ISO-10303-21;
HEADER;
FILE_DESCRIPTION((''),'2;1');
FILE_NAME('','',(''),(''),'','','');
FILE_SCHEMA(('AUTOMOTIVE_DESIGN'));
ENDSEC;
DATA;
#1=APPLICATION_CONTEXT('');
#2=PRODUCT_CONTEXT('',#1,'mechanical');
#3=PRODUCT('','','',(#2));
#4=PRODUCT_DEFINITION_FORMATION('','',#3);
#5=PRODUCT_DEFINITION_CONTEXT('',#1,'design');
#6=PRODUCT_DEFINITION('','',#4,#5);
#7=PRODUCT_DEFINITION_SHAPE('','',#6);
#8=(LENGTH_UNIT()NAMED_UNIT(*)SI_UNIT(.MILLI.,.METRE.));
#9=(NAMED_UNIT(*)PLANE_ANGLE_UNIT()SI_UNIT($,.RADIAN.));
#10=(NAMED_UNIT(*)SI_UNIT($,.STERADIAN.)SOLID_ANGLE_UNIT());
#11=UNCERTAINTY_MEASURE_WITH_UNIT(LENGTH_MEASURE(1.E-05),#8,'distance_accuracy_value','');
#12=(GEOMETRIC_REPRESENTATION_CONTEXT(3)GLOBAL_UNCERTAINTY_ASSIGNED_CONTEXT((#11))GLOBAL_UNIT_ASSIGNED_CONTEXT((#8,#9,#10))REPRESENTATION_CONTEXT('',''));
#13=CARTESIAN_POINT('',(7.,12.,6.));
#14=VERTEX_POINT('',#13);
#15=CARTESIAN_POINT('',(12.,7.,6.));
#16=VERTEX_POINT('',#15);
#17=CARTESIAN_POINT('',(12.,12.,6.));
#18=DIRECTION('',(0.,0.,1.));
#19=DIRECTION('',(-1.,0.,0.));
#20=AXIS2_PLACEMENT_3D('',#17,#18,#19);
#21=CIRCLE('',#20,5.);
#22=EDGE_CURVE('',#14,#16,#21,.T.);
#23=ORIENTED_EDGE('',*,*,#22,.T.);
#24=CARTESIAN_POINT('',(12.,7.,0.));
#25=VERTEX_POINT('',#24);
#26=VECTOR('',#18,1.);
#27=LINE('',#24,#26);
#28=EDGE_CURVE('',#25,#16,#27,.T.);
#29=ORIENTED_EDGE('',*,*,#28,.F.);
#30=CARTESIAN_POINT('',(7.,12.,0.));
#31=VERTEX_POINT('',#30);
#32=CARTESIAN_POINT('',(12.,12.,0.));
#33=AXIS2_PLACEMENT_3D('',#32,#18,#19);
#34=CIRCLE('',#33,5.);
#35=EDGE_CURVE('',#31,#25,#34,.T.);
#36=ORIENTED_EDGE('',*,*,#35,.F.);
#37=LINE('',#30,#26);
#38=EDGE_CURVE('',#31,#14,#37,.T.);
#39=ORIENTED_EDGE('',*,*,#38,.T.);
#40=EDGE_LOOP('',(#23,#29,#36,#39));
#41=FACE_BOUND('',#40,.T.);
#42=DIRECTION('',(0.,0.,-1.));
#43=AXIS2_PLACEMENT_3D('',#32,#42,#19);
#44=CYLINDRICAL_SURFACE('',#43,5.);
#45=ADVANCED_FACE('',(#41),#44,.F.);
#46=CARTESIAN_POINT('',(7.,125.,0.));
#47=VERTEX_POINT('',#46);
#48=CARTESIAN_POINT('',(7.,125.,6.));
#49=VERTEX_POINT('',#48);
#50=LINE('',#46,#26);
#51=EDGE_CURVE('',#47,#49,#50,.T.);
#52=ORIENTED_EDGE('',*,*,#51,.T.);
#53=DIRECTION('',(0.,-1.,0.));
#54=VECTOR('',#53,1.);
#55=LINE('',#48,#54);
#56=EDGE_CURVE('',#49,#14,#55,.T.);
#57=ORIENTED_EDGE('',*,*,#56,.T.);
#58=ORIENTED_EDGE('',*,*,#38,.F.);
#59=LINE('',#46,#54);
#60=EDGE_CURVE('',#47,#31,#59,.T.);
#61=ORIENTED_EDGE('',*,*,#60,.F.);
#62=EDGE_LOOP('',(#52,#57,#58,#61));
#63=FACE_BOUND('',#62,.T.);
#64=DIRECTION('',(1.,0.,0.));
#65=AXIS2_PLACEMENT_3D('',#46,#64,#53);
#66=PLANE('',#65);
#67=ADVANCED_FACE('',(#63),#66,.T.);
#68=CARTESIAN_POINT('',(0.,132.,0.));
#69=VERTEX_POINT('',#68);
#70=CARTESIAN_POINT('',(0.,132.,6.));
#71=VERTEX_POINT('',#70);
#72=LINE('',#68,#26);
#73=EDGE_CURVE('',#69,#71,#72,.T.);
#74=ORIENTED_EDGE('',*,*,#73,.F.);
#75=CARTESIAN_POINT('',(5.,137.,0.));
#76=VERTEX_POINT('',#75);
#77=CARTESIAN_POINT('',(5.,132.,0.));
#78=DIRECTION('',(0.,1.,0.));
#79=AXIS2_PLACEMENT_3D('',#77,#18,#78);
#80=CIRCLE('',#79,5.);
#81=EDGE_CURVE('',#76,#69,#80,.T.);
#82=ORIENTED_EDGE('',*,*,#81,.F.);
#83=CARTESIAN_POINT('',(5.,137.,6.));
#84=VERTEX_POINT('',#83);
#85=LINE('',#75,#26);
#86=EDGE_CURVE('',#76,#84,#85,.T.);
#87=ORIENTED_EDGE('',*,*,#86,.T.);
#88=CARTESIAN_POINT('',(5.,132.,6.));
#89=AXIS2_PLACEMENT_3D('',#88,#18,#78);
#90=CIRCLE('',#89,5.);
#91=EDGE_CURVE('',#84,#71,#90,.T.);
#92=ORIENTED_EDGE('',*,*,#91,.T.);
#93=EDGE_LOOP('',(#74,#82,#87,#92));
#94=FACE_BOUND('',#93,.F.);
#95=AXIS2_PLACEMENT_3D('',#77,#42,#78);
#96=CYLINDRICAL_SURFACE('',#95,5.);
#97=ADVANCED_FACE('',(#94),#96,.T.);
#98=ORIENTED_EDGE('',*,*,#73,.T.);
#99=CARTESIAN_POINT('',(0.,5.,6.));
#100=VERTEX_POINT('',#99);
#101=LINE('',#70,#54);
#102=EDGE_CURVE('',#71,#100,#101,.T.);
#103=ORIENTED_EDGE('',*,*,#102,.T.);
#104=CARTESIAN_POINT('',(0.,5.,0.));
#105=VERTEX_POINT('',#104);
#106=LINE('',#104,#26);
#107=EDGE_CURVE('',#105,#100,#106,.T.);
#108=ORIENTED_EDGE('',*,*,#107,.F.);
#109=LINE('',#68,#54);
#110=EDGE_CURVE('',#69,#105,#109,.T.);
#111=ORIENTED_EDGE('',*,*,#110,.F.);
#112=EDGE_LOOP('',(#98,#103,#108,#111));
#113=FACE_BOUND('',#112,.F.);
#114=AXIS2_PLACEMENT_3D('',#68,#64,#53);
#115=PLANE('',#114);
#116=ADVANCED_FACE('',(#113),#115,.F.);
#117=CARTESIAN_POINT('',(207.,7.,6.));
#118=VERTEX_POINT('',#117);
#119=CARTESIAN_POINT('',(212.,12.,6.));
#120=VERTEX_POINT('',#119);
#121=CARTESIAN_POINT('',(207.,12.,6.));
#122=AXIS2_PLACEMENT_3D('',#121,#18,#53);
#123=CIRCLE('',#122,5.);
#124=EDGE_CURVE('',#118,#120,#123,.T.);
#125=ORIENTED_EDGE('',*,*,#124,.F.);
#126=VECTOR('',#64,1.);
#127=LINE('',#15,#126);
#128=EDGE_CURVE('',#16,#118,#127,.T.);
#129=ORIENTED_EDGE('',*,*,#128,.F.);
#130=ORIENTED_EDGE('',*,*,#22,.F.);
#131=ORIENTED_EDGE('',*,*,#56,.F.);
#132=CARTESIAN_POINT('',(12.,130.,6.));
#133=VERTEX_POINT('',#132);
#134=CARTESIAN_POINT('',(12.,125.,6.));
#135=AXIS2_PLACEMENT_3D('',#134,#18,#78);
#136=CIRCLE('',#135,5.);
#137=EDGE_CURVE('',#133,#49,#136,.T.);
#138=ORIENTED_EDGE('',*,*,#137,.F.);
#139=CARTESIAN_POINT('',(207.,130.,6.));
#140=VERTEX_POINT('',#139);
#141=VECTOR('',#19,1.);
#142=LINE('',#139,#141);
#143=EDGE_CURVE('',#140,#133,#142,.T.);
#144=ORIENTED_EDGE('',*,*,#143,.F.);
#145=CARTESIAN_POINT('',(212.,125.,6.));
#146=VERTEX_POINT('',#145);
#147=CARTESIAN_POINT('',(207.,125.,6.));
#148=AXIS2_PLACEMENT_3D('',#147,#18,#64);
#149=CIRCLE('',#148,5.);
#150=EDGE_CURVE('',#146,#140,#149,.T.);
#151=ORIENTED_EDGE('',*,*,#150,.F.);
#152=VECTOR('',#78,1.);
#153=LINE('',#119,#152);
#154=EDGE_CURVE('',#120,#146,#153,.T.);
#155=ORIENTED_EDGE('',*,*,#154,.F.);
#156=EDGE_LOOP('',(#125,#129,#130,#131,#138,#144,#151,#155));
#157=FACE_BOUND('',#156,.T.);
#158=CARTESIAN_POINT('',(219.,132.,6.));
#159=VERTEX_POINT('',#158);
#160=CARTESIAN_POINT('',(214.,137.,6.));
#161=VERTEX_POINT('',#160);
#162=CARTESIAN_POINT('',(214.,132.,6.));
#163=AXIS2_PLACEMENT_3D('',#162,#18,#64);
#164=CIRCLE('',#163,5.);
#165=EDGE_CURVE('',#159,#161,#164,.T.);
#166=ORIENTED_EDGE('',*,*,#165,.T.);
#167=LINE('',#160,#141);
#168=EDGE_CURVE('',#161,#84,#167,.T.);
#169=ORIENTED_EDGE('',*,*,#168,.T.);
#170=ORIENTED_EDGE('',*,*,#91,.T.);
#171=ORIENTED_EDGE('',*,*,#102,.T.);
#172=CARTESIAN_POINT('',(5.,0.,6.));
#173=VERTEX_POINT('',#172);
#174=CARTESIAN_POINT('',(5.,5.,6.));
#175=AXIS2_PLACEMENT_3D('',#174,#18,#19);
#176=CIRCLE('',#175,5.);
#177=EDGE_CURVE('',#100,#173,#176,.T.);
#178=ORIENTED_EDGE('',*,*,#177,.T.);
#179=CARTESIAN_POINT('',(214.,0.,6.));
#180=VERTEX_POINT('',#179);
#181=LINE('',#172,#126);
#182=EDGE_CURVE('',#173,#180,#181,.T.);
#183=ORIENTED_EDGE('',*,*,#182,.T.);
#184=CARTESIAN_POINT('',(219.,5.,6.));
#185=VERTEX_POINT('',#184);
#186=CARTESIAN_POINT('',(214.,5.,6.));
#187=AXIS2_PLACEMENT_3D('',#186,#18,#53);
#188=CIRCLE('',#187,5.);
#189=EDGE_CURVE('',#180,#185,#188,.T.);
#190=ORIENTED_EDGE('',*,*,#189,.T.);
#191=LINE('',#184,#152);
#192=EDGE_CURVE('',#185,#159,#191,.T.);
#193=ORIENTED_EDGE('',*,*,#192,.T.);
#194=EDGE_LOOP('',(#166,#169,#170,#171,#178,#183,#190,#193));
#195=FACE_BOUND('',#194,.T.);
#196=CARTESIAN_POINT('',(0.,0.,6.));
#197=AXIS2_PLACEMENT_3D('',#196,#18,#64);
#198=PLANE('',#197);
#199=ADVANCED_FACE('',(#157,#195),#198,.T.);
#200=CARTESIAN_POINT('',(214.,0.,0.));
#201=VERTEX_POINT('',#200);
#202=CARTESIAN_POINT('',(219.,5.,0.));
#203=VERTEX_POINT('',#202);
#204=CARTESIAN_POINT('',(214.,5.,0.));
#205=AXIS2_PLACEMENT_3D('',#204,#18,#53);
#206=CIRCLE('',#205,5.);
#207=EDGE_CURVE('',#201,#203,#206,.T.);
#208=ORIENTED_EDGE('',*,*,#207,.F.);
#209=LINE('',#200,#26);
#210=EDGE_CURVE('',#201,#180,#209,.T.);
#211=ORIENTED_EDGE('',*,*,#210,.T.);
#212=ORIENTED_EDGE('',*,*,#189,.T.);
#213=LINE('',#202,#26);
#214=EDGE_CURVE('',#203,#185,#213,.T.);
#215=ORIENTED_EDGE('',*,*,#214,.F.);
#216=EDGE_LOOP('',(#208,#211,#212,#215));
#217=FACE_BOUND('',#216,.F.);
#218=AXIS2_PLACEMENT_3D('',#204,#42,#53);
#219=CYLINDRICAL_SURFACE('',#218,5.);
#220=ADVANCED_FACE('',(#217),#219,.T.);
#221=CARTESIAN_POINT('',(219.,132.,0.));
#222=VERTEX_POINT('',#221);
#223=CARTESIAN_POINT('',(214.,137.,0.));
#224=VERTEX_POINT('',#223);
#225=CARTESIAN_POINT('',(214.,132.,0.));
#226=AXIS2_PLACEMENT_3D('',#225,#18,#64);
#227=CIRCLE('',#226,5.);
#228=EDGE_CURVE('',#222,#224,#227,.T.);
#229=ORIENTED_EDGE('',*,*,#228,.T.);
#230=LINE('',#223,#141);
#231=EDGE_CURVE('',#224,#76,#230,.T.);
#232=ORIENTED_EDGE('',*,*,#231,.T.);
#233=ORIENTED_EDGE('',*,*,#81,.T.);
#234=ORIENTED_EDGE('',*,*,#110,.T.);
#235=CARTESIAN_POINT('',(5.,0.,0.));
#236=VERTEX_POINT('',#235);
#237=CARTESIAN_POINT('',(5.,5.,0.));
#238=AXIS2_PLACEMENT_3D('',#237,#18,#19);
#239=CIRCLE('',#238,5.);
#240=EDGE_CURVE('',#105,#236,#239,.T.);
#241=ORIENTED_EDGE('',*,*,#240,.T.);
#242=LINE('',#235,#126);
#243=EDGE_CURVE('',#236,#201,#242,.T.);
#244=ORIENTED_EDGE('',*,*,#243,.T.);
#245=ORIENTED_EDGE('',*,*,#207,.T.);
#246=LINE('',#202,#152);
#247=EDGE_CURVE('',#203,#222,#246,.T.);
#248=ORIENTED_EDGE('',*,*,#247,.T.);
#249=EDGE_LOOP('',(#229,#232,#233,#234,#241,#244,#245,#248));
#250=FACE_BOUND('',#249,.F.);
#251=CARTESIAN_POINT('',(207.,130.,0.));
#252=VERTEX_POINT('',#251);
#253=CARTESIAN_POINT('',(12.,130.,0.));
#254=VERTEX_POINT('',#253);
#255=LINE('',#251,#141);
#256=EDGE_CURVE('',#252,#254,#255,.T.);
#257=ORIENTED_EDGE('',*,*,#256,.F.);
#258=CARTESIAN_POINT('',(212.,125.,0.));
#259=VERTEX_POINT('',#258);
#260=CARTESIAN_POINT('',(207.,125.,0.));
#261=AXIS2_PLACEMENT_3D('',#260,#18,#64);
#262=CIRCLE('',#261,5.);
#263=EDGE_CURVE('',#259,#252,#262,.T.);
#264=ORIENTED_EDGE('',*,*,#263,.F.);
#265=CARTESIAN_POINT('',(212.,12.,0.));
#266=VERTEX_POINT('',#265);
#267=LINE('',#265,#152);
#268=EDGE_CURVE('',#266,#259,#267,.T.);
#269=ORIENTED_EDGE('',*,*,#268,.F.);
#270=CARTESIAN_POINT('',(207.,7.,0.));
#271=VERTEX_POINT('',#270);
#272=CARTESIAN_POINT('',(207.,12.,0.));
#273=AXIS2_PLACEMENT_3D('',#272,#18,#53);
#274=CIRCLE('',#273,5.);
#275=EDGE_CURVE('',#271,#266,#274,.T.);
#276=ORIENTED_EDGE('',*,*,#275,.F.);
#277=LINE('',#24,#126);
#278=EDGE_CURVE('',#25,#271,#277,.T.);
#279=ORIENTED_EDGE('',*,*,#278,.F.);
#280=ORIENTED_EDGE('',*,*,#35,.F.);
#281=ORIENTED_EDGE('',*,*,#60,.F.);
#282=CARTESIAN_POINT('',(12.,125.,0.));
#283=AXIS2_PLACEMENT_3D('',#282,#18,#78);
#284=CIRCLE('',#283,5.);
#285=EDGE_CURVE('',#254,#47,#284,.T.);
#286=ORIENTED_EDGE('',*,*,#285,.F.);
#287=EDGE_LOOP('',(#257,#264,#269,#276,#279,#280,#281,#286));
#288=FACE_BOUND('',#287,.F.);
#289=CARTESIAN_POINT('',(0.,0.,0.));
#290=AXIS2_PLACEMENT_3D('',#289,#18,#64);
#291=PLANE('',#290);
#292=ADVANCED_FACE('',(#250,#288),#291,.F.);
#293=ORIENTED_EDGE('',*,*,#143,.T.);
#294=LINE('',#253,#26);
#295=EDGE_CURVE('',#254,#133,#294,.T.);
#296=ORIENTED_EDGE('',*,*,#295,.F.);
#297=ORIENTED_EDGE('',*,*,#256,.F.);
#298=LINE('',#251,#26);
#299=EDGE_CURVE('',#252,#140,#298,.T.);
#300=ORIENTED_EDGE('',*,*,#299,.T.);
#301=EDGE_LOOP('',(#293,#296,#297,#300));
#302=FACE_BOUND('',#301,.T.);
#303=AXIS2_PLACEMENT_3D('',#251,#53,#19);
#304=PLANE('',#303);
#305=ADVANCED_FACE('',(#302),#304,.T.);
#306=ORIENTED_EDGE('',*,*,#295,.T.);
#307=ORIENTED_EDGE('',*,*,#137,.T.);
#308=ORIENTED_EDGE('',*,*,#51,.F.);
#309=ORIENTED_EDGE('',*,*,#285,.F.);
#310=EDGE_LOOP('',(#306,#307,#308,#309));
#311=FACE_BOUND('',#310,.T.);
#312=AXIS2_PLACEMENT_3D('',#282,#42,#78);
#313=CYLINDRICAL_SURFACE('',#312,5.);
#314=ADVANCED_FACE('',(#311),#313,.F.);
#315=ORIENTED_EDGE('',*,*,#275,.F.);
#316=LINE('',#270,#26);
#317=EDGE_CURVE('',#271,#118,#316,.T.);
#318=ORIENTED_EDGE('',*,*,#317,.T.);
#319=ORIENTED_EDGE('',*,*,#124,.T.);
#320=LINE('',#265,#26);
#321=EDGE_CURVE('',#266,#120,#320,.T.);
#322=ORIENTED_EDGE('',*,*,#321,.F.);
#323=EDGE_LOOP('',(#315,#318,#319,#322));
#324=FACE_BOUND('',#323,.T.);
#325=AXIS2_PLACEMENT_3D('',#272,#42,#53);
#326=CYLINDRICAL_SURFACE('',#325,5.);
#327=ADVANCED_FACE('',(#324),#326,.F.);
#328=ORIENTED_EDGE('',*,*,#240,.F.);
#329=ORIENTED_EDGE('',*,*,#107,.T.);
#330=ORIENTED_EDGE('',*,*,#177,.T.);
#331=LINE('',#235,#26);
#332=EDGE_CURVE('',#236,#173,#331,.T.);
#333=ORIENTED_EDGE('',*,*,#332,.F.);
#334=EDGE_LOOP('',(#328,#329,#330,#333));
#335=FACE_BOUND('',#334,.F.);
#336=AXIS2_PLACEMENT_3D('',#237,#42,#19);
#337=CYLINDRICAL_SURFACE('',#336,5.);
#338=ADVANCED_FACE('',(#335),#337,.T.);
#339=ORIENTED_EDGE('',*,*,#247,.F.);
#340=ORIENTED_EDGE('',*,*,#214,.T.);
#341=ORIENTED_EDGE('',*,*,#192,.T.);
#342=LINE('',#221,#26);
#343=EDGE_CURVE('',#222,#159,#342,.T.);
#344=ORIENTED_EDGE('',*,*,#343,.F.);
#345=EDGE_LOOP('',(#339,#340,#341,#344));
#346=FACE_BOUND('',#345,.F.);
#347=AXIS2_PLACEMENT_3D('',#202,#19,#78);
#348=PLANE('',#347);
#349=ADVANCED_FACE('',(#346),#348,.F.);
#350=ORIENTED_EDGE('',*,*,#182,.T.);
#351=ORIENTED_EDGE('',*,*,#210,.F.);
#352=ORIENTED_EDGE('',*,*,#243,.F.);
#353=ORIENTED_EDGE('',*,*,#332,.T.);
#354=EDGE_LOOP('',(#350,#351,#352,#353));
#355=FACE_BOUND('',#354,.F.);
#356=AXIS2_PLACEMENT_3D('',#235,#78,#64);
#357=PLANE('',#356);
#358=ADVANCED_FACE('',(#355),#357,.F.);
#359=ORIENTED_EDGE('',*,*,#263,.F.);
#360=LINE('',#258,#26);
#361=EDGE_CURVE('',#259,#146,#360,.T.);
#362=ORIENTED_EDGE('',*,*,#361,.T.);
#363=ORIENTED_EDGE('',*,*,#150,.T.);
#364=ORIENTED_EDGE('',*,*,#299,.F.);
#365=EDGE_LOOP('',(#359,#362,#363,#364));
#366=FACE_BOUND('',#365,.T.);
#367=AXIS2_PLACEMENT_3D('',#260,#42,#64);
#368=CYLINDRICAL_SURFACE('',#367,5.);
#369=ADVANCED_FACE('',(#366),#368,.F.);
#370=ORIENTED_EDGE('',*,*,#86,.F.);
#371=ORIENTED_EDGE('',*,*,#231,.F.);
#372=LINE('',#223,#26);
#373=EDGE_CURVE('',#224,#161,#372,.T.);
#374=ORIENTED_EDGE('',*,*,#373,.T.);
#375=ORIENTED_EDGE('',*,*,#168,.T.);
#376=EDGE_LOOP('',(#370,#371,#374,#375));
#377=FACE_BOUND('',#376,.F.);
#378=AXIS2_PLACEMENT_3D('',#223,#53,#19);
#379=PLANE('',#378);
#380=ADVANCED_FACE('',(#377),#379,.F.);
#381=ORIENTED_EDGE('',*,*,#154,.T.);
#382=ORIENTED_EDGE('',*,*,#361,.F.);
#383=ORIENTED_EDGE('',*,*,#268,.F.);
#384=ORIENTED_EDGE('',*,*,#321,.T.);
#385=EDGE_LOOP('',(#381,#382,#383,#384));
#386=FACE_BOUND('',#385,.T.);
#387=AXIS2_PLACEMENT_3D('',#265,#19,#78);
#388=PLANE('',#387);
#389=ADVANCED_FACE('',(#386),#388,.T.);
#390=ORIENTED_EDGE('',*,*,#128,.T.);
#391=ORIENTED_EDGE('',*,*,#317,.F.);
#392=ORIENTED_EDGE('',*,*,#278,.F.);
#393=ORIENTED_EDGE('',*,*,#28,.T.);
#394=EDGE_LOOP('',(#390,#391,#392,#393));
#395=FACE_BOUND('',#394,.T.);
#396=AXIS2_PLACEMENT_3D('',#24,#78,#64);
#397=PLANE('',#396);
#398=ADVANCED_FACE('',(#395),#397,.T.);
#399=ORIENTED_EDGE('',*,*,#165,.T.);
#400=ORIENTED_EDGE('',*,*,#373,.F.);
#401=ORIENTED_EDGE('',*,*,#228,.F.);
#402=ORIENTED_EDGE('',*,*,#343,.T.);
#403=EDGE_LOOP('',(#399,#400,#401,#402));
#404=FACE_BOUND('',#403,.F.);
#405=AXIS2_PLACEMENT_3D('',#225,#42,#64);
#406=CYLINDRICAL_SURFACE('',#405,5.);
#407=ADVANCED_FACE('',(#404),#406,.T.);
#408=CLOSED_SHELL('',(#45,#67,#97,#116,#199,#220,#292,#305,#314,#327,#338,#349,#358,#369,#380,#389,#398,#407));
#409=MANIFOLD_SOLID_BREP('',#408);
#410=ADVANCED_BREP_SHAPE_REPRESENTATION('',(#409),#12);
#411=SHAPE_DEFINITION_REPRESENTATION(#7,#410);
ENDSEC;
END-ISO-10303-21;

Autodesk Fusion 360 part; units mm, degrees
sketch "Esquisse1" plane through (0, 0, 0) normal (0, 0, 1) x (1, 0, 0)
  line L0 (5, 0) -> (214, 0)
  line L1 (219, 5) -> (219, 132)
  line L2 (214, 137) -> (5, 137)
  line L3 (0, 132) -> (0, 5)
  line L4 (12, 7) -> (207, 7)
  line L5 (212, 12) -> (212, 125)
  line L6 (207, 130) -> (12, 130)
  line L7 (7, 125) -> (7, 12)
  arc A0 (219, 132) -> (214, 137) centre (214, 132) ccw
  arc A1 (212, 125) -> (207, 130) centre (207, 125) ccw
  arc A2 (214, 0) -> (219, 5) centre (214, 5) ccw
  arc A3 (207, 7) -> (212, 12) centre (207, 12) ccw
  arc A4 (7, 12) -> (12, 7) centre (12, 12) ccw
  arc A5 (0, 5) -> (5, 0) centre (5, 5) ccw
  arc A6 (12, 130) -> (7, 125) centre (12, 125) ccw
  arc A7 (5, 137) -> (0, 132) centre (5, 132) ccw
  point P0 (219, 137)
  point P1 (0, 137)
  point P2 (7, 7)
  point P3 (212, 130)
  point P4 (7, 130)
  dimension "d1" = 219
  dimension "d2" = 205
  dimension "d3" = 7
  dimension "d4" = 123
  dimension "d5" = 7
  dimension "d6" = 137
  dimension "d7" = 5
  dimension "d8" = 5
  dimension "d9" = 5
  dimension "d10" = 5
  dimension "d11" = 5
  dimension "d12" = 5
  dimension "d13" = 5
  dimension "d14" = 5
extrude "Extrusion1" add sketch "Esquisse1" along normal blind 6
